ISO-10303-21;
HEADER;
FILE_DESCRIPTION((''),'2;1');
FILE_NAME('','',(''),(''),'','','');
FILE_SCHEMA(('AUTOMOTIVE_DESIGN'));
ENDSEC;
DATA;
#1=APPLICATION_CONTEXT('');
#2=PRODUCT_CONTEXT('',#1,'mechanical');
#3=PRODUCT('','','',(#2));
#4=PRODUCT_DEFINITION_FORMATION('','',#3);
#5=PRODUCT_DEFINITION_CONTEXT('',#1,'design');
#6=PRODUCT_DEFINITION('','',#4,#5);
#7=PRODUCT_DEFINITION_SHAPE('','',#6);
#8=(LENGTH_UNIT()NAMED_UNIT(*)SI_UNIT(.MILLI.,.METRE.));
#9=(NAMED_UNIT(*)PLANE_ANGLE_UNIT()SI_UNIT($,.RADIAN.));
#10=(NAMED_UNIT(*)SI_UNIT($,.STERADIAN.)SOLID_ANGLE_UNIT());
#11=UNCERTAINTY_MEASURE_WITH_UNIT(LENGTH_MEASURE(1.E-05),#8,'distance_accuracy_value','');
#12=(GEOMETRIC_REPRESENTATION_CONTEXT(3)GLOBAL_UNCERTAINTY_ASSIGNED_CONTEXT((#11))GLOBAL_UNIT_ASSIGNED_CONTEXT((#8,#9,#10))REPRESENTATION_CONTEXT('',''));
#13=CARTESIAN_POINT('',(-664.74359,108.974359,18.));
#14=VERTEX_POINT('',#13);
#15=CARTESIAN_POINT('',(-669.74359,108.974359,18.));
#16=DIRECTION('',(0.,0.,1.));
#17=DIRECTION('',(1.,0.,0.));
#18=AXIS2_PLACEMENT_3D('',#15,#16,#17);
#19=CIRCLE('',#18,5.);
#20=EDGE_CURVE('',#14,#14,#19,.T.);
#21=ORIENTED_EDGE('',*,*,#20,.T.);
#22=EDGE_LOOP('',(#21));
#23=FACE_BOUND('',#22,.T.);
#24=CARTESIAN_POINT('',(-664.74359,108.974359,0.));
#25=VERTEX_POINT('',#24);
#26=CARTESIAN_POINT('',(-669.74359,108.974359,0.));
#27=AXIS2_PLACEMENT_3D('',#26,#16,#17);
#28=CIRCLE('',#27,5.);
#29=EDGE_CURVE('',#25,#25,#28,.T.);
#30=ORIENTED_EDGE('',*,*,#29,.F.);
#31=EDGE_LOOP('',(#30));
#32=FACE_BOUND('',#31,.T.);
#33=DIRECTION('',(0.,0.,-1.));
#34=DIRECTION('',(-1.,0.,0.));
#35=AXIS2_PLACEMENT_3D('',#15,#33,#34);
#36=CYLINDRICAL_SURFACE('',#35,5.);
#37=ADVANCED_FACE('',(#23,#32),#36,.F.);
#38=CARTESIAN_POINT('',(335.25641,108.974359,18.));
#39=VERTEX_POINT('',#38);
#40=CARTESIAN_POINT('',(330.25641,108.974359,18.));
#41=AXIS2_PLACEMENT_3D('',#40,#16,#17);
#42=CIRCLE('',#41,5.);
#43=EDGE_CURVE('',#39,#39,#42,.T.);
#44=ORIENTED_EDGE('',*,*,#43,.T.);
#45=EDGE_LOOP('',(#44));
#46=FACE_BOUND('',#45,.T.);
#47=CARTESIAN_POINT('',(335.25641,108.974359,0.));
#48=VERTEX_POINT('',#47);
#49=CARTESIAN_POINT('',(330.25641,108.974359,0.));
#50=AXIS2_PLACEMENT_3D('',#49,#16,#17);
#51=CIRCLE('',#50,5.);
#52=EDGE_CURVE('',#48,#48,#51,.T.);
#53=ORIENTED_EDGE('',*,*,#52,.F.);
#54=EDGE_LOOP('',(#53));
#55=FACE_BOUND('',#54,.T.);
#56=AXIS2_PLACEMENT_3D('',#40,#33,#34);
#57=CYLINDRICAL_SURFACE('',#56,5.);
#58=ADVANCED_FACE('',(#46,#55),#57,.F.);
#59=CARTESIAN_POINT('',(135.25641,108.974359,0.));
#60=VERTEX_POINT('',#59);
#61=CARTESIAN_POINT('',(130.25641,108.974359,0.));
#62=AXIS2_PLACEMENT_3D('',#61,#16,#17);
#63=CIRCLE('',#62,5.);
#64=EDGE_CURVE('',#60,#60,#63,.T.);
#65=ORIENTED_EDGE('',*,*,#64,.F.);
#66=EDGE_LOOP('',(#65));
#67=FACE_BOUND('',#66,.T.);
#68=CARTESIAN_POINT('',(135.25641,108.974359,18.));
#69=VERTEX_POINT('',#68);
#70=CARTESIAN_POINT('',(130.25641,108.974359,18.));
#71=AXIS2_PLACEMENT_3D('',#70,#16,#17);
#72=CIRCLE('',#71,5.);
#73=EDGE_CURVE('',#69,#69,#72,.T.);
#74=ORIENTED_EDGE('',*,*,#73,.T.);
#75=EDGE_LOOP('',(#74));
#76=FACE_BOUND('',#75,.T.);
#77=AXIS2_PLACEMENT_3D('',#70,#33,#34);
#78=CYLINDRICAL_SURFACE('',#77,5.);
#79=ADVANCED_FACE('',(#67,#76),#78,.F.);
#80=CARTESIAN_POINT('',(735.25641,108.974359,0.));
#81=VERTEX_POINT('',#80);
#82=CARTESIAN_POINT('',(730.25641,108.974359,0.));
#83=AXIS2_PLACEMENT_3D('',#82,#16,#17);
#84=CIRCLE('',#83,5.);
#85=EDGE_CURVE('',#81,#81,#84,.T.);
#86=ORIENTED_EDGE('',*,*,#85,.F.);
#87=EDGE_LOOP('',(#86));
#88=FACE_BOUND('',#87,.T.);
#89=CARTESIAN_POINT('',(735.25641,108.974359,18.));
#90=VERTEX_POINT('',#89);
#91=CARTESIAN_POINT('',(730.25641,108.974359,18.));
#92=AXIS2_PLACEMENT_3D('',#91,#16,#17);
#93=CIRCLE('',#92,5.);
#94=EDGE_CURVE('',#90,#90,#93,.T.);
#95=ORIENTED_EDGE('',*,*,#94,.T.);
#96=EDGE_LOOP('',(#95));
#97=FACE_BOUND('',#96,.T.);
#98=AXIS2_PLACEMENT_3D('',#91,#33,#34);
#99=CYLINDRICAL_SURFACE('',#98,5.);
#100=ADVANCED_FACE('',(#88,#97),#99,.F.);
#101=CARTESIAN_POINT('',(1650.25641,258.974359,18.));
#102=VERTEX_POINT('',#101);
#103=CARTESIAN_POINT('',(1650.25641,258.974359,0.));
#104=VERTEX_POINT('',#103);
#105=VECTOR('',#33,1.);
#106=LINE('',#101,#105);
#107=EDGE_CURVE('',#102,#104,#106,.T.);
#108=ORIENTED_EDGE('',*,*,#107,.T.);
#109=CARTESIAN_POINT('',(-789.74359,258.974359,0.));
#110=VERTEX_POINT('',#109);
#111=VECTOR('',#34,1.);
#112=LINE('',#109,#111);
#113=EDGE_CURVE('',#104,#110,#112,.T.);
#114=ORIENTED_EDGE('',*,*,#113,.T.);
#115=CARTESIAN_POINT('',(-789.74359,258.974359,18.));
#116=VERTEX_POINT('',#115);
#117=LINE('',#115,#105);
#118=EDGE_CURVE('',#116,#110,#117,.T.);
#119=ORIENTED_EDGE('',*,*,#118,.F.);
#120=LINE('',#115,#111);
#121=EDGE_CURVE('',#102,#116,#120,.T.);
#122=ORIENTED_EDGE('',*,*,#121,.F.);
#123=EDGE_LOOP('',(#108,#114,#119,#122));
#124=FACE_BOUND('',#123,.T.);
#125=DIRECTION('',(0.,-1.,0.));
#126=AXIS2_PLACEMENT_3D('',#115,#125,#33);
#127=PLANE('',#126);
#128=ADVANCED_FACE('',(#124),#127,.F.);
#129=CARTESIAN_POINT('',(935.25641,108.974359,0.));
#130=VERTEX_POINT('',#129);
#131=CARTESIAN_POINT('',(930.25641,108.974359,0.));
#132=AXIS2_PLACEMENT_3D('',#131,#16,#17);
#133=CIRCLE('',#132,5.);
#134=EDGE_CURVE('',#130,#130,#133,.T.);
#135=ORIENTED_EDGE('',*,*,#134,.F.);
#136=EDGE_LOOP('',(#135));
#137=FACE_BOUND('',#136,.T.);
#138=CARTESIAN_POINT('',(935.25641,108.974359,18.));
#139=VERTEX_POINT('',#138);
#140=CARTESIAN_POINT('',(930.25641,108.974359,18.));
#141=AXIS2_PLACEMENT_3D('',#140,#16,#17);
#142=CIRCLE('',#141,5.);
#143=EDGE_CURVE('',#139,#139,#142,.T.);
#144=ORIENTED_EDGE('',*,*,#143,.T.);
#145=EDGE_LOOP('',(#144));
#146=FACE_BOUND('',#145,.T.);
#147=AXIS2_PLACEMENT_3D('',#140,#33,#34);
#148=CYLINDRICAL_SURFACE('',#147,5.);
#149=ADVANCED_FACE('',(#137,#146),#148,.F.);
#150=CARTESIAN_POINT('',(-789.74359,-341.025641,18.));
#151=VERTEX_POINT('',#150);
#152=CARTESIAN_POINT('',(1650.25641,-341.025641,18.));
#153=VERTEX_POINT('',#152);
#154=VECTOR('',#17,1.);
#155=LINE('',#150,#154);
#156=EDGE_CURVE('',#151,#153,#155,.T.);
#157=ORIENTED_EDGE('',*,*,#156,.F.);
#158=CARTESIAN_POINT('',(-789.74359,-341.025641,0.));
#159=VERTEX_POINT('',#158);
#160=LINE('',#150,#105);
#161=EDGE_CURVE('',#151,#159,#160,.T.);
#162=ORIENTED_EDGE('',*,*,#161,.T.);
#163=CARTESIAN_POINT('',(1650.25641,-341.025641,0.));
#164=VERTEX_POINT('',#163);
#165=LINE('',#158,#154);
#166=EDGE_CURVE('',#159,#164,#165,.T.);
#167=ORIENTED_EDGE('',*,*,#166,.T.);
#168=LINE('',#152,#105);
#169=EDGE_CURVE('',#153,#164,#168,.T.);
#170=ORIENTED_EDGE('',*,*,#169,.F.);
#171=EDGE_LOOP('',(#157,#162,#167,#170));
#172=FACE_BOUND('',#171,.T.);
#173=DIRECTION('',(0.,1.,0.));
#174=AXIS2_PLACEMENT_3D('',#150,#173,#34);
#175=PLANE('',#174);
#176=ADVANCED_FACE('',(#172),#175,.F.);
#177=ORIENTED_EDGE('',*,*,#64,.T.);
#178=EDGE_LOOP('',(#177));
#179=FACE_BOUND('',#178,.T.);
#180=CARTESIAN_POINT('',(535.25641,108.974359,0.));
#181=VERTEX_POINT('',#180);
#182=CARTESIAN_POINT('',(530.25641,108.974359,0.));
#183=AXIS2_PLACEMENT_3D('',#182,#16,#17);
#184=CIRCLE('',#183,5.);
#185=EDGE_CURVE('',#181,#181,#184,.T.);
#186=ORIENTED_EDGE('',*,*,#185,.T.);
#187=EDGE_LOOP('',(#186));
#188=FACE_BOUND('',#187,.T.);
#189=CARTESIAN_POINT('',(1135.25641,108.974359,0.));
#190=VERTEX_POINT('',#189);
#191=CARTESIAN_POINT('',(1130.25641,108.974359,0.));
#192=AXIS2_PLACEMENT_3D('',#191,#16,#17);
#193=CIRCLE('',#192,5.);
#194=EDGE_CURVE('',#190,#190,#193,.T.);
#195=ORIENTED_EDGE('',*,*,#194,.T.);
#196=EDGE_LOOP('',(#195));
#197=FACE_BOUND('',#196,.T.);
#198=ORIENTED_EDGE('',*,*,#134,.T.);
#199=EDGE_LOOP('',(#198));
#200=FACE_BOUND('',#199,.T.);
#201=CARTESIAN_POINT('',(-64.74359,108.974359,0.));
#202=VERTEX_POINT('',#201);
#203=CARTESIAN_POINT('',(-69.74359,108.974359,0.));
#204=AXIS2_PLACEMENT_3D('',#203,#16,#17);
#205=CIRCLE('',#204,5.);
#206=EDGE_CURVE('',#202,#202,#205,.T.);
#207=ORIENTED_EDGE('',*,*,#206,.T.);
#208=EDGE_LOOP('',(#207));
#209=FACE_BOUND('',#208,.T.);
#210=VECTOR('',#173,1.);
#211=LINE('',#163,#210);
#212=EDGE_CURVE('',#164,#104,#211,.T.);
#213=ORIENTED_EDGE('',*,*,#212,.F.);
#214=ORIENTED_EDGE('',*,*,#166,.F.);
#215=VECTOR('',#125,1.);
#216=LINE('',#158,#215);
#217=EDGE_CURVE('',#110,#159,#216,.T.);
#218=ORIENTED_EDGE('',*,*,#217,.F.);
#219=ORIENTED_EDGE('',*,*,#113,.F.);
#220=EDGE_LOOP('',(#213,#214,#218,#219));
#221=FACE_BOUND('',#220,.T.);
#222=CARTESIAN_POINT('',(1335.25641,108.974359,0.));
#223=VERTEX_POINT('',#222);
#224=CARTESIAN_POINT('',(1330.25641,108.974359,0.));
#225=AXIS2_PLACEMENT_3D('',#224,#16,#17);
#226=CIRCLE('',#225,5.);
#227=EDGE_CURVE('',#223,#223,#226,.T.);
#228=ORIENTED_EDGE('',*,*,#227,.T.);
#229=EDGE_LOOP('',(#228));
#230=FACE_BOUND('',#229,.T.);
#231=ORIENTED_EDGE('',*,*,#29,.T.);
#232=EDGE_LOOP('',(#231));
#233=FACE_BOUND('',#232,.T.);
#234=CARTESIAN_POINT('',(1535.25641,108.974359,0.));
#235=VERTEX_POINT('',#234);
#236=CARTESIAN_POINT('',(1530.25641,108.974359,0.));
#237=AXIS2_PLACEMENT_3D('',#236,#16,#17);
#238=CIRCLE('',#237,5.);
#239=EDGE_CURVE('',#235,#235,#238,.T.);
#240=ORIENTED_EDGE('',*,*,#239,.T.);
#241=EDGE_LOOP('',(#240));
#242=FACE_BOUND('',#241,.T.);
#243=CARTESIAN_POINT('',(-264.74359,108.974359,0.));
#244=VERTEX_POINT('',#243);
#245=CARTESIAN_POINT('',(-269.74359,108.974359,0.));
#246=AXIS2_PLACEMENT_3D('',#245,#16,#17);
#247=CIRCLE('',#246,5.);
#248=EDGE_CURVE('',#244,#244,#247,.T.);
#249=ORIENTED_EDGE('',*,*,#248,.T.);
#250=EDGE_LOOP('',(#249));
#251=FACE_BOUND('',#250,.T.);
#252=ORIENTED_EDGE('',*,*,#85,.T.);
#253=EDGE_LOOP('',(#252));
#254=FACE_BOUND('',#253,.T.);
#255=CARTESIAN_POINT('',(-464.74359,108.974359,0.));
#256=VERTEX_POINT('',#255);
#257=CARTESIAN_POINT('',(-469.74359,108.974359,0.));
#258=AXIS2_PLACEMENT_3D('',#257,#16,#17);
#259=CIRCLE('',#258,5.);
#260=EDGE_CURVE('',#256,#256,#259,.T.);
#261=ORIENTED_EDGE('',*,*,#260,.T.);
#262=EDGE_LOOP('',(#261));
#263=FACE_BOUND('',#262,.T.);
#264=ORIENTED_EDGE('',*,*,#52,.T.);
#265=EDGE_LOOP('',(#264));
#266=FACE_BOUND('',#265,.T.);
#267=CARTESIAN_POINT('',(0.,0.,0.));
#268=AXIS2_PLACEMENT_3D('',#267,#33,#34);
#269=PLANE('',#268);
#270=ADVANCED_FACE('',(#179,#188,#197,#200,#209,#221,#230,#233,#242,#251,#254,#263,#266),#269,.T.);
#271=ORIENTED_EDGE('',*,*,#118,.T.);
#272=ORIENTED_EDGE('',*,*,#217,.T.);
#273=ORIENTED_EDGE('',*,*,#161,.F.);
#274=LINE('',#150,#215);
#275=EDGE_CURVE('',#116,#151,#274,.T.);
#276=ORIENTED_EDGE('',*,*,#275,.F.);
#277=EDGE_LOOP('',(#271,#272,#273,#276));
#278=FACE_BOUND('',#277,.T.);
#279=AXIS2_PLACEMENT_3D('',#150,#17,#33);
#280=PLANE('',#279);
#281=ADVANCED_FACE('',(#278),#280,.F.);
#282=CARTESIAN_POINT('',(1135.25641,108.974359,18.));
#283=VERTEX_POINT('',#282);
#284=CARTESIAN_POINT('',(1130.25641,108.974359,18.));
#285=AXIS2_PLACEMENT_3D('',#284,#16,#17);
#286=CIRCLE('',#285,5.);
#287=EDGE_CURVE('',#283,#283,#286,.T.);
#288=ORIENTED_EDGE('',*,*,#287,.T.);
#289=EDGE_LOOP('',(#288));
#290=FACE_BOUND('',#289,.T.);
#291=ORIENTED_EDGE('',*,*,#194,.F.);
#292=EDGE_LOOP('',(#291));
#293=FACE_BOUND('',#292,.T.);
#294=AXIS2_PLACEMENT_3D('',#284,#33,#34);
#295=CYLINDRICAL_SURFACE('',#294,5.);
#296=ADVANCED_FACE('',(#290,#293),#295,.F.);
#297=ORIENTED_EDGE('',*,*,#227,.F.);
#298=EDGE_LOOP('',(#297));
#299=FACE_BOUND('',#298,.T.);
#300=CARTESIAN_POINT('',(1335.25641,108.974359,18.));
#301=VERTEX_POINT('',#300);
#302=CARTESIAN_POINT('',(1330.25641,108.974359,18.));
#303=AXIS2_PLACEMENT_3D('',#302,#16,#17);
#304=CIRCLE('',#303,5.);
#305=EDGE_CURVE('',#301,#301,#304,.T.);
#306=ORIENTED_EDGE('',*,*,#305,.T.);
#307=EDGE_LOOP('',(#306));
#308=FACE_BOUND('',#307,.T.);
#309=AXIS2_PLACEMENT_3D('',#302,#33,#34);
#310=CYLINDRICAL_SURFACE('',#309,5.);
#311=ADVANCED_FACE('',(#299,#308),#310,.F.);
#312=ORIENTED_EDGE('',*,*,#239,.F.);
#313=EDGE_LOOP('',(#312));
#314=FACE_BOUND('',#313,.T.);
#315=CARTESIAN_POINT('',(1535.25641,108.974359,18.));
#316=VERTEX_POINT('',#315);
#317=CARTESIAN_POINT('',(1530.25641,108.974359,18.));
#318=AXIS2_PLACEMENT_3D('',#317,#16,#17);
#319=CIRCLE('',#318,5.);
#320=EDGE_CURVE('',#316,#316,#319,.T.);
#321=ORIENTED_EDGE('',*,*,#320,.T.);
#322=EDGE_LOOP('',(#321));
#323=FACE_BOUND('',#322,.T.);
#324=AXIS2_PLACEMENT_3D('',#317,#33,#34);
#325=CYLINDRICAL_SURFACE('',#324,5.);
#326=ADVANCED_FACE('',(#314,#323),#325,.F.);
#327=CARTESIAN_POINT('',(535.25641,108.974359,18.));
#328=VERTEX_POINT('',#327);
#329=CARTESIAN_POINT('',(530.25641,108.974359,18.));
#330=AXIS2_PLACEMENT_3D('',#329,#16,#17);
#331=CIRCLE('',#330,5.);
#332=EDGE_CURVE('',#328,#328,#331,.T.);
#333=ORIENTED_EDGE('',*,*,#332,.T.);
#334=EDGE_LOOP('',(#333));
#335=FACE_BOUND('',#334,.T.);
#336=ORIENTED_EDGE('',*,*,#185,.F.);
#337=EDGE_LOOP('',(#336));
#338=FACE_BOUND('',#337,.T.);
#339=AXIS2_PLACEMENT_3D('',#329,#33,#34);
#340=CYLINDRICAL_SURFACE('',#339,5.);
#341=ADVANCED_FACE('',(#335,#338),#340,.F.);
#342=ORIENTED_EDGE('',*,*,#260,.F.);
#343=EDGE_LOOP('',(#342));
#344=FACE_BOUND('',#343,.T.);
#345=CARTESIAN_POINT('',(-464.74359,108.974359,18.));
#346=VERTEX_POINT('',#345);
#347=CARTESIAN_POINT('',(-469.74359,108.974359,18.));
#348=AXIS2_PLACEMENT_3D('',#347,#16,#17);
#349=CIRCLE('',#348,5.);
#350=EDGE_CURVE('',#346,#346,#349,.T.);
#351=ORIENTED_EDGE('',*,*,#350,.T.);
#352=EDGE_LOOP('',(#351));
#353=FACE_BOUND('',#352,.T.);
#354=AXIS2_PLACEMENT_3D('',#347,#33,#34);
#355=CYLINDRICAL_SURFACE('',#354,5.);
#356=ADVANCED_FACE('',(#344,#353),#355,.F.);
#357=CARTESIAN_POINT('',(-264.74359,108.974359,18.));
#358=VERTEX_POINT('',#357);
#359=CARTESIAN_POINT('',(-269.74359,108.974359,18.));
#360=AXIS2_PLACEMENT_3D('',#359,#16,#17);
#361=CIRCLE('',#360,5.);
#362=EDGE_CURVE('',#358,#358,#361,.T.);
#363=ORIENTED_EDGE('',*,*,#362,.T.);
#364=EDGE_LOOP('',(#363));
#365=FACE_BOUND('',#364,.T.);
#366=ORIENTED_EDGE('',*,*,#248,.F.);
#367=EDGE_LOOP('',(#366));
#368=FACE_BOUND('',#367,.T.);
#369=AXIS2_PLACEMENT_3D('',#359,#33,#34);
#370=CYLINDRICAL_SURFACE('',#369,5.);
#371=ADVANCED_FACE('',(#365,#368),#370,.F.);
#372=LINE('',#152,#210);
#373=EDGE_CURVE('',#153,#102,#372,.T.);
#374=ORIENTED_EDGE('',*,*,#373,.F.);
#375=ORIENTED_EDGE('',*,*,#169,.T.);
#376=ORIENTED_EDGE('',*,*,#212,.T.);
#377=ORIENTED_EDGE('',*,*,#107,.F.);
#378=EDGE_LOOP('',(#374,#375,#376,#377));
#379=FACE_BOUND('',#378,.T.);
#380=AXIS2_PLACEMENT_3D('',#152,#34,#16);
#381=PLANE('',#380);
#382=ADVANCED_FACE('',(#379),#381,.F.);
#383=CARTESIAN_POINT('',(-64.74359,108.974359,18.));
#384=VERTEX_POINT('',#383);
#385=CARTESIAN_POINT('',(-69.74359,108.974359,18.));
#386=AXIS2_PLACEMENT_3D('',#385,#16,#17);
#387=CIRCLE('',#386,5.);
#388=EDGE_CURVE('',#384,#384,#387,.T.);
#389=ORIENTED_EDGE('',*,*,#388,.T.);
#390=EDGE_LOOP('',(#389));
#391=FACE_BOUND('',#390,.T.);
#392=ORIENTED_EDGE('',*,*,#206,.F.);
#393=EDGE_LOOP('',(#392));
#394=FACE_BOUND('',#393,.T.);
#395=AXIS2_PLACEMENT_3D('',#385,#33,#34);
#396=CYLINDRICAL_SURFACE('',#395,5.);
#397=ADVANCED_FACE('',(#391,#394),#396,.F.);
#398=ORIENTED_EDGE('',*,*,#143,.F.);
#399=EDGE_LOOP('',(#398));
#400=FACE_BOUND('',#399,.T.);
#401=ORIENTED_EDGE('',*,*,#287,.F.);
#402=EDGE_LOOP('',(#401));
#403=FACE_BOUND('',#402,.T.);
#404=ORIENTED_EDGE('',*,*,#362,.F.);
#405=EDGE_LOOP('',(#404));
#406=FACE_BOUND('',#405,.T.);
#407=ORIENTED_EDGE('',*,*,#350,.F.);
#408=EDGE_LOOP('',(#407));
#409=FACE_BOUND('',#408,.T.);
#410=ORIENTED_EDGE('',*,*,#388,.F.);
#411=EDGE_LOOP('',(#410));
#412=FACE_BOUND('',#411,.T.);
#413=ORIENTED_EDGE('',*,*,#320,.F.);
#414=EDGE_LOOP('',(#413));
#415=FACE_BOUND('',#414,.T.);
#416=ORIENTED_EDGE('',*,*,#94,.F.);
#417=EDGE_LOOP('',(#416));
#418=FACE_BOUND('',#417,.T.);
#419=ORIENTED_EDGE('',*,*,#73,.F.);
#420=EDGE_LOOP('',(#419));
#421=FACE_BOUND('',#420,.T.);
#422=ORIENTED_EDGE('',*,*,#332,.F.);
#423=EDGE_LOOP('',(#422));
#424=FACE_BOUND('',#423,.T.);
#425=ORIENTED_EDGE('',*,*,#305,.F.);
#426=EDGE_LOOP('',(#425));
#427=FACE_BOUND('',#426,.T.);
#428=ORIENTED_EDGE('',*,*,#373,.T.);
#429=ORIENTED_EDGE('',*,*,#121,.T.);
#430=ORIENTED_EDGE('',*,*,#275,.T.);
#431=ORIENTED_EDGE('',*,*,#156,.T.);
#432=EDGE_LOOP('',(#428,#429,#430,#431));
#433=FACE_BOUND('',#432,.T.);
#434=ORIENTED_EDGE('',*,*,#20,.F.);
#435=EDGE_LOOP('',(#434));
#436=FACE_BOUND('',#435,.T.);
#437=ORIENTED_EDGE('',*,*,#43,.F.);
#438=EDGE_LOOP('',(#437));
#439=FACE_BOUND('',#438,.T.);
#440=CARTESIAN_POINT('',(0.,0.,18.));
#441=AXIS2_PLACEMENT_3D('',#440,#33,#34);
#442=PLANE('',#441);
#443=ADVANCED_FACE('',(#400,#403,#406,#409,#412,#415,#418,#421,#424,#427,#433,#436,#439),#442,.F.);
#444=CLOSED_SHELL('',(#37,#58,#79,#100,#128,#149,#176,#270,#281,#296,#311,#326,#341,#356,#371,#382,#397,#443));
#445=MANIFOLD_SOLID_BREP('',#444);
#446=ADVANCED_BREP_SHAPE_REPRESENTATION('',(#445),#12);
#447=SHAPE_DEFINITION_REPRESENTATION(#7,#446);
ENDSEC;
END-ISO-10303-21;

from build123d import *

# Parameters (mm, degrees)
SKETCH1_W           = 2440
SKETCH1_H           = 600
SKETCH1_R           = 5
BOSS_EXTRUDE1_DEPTH = 18


with BuildPart() as part:
    # Sketch1 → Boss-Extrude1 (new body)
    with BuildSketch(Plane.XY):
        with Locations((430.256410256, -41.025641026)):
            Rectangle(SKETCH1_W, SKETCH1_H)
        with Locations((-669.743589744, 108.974358974)):
            Circle(SKETCH1_R, mode=Mode.SUBTRACT)
        with Locations((-469.743589744, 108.974358974)):
            Circle(SKETCH1_R, mode=Mode.SUBTRACT)
        with Locations((-269.743589744, 108.974358974)):
            Circle(SKETCH1_R, mode=Mode.SUBTRACT)
        with Locations((-69.743589744, 108.974358974)):
            Circle(SKETCH1_R, mode=Mode.SUBTRACT)
        with Locations((130.256410256, 108.974358974)):
            Circle(SKETCH1_R, mode=Mode.SUBTRACT)
        with Locations((330.256410256, 108.974358974)):
            Circle(SKETCH1_R, mode=Mode.SUBTRACT)
        with Locations((530.256410256, 108.974358974)):
            Circle(SKETCH1_R, mode=Mode.SUBTRACT)
        with Locations((730.256410256, 108.974358974)):
            Circle(SKETCH1_R, mode=Mode.SUBTRACT)
        with Locations((930.256410256, 108.974358974)):
            Circle(SKETCH1_R, mode=Mode.SUBTRACT)
        with Locations((1130.256410256, 108.974358974)):
            Circle(SKETCH1_R, mode=Mode.SUBTRACT)
        with Locations((1330.256410256, 108.974358974)):
            Circle(SKETCH1_R, mode=Mode.SUBTRACT)
        with Locations((1530.256410256, 108.974358974)):
            Circle(SKETCH1_R, mode=Mode.SUBTRACT)
    extrude(amount=BOSS_EXTRUDE1_DEPTH)


solid = part.part
